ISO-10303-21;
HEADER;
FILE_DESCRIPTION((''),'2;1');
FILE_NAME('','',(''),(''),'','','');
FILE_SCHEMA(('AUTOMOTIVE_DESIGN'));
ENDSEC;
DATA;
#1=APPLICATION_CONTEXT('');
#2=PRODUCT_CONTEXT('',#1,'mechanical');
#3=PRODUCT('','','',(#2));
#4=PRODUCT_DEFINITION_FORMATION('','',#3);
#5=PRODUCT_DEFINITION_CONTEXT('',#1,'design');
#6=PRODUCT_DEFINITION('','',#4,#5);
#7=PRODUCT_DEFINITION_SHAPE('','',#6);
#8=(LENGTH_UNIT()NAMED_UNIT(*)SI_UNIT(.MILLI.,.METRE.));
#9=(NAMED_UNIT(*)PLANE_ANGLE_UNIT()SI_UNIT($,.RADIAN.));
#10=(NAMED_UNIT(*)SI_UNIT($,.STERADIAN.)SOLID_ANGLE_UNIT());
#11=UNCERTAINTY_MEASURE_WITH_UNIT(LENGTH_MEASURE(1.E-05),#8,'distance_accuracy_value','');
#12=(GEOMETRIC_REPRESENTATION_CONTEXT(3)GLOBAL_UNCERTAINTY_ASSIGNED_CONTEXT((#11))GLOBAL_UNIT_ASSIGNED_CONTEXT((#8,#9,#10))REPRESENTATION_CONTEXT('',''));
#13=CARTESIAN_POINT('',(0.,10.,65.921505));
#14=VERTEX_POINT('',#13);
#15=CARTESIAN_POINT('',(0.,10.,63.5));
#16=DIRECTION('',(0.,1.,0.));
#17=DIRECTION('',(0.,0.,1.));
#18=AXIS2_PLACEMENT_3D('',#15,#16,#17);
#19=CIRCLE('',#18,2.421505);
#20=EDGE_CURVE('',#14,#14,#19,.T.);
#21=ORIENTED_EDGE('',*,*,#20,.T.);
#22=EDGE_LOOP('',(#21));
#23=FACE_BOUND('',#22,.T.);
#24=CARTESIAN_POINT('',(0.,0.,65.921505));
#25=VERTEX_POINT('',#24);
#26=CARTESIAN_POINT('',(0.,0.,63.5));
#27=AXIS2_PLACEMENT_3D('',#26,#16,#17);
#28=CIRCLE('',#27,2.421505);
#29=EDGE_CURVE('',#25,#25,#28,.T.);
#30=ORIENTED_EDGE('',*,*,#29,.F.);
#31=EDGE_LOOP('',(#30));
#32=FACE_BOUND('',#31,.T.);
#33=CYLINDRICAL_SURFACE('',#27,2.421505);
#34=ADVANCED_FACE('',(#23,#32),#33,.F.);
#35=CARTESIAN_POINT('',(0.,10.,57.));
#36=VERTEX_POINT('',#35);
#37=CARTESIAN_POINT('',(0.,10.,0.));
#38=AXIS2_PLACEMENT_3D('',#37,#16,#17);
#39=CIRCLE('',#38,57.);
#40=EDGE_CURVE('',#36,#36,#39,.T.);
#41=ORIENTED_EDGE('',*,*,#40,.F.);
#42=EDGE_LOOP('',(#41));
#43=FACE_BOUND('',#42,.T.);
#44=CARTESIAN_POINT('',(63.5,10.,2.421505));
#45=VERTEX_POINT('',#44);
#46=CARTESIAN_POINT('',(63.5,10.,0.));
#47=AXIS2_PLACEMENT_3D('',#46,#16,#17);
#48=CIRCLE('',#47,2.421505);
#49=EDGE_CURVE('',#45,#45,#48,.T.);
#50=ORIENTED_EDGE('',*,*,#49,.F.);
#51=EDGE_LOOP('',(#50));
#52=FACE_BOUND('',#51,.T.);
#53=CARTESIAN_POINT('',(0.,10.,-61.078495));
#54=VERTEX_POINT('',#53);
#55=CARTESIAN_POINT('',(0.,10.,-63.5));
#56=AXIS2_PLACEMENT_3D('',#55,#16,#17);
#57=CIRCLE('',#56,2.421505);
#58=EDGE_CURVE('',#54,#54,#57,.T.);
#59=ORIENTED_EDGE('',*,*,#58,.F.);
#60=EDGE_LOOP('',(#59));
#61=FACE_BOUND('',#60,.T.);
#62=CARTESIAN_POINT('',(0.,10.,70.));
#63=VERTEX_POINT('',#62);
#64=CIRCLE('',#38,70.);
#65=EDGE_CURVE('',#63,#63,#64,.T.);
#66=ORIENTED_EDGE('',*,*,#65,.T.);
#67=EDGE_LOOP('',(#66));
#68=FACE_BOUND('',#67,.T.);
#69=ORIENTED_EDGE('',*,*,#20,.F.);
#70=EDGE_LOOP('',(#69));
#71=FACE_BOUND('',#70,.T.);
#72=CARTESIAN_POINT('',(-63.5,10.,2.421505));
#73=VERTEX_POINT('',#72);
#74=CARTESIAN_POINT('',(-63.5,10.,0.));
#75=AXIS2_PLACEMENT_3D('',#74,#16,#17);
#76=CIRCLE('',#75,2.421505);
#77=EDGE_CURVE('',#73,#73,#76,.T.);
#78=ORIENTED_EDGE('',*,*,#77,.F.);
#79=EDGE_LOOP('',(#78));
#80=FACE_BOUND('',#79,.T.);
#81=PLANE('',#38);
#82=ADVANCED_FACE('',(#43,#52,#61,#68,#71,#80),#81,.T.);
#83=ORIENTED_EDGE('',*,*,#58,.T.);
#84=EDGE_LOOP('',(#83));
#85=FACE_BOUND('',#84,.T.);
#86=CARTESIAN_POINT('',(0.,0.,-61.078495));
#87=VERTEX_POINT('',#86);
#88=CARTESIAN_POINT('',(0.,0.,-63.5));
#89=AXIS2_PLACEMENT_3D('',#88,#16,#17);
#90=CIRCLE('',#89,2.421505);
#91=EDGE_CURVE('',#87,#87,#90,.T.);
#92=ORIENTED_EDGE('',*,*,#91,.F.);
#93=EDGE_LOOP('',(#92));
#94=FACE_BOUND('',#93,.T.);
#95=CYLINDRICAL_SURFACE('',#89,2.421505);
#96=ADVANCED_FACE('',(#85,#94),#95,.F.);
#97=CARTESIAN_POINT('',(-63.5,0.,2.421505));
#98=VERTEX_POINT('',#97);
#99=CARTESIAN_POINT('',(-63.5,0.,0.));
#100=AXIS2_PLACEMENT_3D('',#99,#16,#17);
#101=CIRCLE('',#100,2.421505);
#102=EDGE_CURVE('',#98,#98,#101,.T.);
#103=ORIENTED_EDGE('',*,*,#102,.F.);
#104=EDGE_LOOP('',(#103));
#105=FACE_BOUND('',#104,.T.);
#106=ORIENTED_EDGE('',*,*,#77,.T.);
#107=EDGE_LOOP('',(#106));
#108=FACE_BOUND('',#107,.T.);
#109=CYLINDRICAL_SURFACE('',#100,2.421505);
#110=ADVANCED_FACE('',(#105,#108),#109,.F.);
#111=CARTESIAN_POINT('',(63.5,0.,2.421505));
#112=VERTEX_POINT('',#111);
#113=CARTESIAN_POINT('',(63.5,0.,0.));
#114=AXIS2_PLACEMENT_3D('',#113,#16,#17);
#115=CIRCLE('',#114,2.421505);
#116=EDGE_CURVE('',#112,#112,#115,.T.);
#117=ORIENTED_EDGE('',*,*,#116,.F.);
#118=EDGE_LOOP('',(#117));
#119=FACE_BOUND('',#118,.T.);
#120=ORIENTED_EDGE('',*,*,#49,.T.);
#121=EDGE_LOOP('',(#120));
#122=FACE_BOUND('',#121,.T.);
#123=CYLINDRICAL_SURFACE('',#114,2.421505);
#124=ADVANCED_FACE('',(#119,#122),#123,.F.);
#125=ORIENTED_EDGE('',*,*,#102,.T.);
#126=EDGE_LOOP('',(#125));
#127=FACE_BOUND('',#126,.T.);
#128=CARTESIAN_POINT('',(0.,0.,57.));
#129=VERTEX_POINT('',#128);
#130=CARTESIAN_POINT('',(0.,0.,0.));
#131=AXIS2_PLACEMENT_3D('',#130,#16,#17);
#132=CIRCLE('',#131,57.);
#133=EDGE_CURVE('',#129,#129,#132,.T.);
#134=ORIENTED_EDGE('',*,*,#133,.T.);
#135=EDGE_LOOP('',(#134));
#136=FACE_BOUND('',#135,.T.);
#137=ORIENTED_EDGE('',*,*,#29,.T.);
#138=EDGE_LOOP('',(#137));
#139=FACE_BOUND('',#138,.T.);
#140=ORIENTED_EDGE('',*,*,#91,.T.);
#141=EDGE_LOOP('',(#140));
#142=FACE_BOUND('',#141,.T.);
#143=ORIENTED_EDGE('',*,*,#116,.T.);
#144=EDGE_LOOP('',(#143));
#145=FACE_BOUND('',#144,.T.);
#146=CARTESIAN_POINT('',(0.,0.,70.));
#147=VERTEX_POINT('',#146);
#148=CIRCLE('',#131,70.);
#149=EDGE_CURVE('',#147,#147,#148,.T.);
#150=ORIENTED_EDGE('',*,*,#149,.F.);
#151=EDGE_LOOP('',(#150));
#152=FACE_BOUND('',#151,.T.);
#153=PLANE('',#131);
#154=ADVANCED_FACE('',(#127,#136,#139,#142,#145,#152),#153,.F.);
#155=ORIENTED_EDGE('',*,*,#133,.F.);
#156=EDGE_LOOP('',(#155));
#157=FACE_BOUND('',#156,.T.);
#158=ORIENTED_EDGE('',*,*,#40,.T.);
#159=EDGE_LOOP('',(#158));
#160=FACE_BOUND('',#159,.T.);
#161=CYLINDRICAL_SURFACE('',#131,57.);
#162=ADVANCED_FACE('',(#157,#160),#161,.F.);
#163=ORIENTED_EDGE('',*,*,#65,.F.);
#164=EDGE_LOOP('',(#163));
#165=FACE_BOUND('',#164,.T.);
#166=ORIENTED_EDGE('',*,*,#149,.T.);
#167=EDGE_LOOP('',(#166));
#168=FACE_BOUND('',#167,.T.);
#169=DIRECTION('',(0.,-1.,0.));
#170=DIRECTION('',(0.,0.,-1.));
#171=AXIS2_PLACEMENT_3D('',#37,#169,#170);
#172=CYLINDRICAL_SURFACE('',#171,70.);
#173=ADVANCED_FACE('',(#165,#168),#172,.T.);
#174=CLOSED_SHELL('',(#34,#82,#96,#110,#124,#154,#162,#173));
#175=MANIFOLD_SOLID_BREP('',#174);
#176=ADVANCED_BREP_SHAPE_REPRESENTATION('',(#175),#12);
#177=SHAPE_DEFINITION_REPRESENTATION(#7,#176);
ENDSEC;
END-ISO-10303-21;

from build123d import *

# Parameters (mm, degrees)
SKETCH2_R           = 70
BOSS_EXTRUDE1_DEPTH = 10
SKETCH3_R           = 57
CUT_EXTRUDE1_DEPTH  = 10
SKETCH4_R           = 2.421505467
CUT_EXTRUDE2_DEPTH  = 10


with BuildPart() as part:
    # Sketch2 → Boss-Extrude1 (new body)
    with BuildSketch(Plane(origin=(0, 0, 0), x_dir=(1, 0, 0), z_dir=(0, 1, 0))):
        with Locations(Location((0, 0, 0), (0, 0, 270))):
            Circle(SKETCH2_R)
    extrude(amount=BOSS_EXTRUDE1_DEPTH)

    # Sketch3 → Cut-Extrude1 (cut)
    with BuildSketch(Plane(origin=(0, 10, 0), x_dir=(1, 0, 0), z_dir=(0, 1, 0))):
        with Locations(Location((0, 0, 0), (0, 0, 270))):
            Circle(SKETCH3_R)
    extrude(amount=-CUT_EXTRUDE1_DEPTH, mode=Mode.SUBTRACT)

    # Sketch4 → Cut-Extrude2 (cut)
    with BuildSketch(Plane(origin=(0, 10, 0), x_dir=(1, 0, 0), z_dir=(0, 1, 0))):
        with Locations(Location((-63.5, 0, 0), (0, 0, 270))):
            Circle(SKETCH4_R)
        with Locations(Location((0, 63.5, 0), (0, 0, 270))):
            Circle(SKETCH4_R)
        with Locations(Location((63.5, 0, 0), (0, 0, 270))):
            Circle(SKETCH4_R)
        with Locations(Location((0, -63.5, 0), (0, 0, 270))):
            Circle(SKETCH4_R)
    extrude(amount=-CUT_EXTRUDE2_DEPTH, mode=Mode.SUBTRACT)


solid = part.part
